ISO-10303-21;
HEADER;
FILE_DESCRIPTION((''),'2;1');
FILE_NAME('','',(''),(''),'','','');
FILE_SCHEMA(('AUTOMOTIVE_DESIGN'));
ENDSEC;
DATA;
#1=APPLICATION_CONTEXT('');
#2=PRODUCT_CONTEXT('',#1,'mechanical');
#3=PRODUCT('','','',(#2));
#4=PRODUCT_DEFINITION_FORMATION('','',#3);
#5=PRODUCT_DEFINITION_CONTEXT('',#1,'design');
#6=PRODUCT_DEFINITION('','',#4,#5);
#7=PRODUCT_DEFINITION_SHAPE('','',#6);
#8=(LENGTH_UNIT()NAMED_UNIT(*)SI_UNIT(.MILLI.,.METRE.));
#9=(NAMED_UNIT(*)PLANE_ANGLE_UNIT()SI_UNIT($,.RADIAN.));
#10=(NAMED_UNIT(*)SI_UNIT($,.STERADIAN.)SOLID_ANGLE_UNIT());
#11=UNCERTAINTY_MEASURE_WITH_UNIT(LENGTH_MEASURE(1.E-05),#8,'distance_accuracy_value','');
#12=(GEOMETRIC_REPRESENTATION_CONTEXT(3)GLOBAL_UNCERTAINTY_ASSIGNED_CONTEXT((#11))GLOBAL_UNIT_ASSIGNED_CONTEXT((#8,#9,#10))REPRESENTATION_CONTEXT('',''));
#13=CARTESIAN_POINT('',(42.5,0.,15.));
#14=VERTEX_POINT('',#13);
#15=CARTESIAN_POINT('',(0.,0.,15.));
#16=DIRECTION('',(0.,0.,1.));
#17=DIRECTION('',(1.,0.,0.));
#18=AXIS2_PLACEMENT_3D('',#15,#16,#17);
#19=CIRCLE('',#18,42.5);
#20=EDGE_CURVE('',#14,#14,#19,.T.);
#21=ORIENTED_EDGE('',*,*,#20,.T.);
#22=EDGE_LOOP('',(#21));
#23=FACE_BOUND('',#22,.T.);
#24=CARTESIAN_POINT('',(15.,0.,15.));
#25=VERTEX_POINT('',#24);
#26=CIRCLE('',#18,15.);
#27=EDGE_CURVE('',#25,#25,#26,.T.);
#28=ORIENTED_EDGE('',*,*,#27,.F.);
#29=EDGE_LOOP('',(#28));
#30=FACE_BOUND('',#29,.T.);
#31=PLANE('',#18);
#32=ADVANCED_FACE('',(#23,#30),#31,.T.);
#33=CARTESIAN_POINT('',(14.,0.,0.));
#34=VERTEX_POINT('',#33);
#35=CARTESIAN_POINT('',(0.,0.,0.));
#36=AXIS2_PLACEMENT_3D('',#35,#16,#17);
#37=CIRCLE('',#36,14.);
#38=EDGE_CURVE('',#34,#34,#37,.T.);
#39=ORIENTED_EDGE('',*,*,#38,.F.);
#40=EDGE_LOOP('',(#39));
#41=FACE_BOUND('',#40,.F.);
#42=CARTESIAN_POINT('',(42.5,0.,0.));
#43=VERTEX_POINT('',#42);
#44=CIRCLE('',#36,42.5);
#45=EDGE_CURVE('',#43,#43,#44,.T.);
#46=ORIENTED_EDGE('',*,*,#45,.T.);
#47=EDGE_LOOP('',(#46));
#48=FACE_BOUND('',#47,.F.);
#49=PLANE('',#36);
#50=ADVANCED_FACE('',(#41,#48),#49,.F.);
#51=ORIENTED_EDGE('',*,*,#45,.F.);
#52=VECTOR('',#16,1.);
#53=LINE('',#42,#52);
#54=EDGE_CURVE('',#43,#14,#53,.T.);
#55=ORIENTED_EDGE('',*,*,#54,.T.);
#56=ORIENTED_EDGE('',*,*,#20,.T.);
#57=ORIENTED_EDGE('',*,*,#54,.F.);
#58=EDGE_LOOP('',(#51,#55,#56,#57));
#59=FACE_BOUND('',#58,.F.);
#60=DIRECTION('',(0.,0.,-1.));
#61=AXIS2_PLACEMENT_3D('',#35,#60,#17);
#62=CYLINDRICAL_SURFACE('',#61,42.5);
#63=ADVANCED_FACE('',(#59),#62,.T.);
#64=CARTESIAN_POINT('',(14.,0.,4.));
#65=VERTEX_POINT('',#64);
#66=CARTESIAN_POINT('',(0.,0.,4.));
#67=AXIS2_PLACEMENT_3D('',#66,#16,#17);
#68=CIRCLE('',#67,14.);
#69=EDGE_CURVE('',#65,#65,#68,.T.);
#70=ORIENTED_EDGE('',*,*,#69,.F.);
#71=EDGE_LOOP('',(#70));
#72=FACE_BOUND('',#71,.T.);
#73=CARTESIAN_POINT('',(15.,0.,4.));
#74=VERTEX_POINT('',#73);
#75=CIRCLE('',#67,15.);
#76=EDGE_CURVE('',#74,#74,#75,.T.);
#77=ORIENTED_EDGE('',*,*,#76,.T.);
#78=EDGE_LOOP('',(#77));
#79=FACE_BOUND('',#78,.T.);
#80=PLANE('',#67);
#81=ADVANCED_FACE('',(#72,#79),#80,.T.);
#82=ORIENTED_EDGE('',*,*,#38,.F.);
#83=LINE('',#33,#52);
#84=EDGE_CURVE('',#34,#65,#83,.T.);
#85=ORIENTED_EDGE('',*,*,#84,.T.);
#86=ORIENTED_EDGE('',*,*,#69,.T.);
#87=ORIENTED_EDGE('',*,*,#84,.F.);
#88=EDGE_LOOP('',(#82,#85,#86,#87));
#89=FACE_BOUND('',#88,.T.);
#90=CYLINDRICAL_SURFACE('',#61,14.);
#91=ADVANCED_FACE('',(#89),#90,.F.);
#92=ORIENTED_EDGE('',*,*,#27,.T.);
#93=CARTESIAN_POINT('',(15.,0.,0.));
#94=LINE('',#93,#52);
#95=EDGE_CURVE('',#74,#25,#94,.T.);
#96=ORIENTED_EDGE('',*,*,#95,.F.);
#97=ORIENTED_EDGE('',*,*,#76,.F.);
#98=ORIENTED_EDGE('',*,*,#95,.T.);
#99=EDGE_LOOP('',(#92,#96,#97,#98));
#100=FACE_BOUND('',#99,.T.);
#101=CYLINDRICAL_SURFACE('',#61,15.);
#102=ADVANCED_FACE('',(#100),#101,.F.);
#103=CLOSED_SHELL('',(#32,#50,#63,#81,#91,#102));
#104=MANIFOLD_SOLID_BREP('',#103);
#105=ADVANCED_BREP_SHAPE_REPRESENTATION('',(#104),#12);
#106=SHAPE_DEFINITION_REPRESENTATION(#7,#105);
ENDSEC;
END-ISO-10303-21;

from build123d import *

# Parameters (mm, degrees)
SKETCH001_R   = 42.5
SKETCH001_R_2 = 15
PAD_DEPTH     = 15
SKETCH_R      = 15
SKETCH_R_2    = 14
PAD001_DEPTH  = 4


with BuildPart() as part:
    # Sketch001 → Pad (new body)
    with BuildSketch(Plane.XY):
        Circle(SKETCH001_R)
        Circle(SKETCH001_R_2, mode=Mode.SUBTRACT)
    extrude(amount=PAD_DEPTH)

    # Sketch (on Sketch) → Pad001 (join)
    with BuildSketch(Plane.XY):
        Circle(SKETCH_R)
        Circle(SKETCH_R_2, mode=Mode.SUBTRACT)
    extrude(amount=PAD001_DEPTH)


solid = part.part
